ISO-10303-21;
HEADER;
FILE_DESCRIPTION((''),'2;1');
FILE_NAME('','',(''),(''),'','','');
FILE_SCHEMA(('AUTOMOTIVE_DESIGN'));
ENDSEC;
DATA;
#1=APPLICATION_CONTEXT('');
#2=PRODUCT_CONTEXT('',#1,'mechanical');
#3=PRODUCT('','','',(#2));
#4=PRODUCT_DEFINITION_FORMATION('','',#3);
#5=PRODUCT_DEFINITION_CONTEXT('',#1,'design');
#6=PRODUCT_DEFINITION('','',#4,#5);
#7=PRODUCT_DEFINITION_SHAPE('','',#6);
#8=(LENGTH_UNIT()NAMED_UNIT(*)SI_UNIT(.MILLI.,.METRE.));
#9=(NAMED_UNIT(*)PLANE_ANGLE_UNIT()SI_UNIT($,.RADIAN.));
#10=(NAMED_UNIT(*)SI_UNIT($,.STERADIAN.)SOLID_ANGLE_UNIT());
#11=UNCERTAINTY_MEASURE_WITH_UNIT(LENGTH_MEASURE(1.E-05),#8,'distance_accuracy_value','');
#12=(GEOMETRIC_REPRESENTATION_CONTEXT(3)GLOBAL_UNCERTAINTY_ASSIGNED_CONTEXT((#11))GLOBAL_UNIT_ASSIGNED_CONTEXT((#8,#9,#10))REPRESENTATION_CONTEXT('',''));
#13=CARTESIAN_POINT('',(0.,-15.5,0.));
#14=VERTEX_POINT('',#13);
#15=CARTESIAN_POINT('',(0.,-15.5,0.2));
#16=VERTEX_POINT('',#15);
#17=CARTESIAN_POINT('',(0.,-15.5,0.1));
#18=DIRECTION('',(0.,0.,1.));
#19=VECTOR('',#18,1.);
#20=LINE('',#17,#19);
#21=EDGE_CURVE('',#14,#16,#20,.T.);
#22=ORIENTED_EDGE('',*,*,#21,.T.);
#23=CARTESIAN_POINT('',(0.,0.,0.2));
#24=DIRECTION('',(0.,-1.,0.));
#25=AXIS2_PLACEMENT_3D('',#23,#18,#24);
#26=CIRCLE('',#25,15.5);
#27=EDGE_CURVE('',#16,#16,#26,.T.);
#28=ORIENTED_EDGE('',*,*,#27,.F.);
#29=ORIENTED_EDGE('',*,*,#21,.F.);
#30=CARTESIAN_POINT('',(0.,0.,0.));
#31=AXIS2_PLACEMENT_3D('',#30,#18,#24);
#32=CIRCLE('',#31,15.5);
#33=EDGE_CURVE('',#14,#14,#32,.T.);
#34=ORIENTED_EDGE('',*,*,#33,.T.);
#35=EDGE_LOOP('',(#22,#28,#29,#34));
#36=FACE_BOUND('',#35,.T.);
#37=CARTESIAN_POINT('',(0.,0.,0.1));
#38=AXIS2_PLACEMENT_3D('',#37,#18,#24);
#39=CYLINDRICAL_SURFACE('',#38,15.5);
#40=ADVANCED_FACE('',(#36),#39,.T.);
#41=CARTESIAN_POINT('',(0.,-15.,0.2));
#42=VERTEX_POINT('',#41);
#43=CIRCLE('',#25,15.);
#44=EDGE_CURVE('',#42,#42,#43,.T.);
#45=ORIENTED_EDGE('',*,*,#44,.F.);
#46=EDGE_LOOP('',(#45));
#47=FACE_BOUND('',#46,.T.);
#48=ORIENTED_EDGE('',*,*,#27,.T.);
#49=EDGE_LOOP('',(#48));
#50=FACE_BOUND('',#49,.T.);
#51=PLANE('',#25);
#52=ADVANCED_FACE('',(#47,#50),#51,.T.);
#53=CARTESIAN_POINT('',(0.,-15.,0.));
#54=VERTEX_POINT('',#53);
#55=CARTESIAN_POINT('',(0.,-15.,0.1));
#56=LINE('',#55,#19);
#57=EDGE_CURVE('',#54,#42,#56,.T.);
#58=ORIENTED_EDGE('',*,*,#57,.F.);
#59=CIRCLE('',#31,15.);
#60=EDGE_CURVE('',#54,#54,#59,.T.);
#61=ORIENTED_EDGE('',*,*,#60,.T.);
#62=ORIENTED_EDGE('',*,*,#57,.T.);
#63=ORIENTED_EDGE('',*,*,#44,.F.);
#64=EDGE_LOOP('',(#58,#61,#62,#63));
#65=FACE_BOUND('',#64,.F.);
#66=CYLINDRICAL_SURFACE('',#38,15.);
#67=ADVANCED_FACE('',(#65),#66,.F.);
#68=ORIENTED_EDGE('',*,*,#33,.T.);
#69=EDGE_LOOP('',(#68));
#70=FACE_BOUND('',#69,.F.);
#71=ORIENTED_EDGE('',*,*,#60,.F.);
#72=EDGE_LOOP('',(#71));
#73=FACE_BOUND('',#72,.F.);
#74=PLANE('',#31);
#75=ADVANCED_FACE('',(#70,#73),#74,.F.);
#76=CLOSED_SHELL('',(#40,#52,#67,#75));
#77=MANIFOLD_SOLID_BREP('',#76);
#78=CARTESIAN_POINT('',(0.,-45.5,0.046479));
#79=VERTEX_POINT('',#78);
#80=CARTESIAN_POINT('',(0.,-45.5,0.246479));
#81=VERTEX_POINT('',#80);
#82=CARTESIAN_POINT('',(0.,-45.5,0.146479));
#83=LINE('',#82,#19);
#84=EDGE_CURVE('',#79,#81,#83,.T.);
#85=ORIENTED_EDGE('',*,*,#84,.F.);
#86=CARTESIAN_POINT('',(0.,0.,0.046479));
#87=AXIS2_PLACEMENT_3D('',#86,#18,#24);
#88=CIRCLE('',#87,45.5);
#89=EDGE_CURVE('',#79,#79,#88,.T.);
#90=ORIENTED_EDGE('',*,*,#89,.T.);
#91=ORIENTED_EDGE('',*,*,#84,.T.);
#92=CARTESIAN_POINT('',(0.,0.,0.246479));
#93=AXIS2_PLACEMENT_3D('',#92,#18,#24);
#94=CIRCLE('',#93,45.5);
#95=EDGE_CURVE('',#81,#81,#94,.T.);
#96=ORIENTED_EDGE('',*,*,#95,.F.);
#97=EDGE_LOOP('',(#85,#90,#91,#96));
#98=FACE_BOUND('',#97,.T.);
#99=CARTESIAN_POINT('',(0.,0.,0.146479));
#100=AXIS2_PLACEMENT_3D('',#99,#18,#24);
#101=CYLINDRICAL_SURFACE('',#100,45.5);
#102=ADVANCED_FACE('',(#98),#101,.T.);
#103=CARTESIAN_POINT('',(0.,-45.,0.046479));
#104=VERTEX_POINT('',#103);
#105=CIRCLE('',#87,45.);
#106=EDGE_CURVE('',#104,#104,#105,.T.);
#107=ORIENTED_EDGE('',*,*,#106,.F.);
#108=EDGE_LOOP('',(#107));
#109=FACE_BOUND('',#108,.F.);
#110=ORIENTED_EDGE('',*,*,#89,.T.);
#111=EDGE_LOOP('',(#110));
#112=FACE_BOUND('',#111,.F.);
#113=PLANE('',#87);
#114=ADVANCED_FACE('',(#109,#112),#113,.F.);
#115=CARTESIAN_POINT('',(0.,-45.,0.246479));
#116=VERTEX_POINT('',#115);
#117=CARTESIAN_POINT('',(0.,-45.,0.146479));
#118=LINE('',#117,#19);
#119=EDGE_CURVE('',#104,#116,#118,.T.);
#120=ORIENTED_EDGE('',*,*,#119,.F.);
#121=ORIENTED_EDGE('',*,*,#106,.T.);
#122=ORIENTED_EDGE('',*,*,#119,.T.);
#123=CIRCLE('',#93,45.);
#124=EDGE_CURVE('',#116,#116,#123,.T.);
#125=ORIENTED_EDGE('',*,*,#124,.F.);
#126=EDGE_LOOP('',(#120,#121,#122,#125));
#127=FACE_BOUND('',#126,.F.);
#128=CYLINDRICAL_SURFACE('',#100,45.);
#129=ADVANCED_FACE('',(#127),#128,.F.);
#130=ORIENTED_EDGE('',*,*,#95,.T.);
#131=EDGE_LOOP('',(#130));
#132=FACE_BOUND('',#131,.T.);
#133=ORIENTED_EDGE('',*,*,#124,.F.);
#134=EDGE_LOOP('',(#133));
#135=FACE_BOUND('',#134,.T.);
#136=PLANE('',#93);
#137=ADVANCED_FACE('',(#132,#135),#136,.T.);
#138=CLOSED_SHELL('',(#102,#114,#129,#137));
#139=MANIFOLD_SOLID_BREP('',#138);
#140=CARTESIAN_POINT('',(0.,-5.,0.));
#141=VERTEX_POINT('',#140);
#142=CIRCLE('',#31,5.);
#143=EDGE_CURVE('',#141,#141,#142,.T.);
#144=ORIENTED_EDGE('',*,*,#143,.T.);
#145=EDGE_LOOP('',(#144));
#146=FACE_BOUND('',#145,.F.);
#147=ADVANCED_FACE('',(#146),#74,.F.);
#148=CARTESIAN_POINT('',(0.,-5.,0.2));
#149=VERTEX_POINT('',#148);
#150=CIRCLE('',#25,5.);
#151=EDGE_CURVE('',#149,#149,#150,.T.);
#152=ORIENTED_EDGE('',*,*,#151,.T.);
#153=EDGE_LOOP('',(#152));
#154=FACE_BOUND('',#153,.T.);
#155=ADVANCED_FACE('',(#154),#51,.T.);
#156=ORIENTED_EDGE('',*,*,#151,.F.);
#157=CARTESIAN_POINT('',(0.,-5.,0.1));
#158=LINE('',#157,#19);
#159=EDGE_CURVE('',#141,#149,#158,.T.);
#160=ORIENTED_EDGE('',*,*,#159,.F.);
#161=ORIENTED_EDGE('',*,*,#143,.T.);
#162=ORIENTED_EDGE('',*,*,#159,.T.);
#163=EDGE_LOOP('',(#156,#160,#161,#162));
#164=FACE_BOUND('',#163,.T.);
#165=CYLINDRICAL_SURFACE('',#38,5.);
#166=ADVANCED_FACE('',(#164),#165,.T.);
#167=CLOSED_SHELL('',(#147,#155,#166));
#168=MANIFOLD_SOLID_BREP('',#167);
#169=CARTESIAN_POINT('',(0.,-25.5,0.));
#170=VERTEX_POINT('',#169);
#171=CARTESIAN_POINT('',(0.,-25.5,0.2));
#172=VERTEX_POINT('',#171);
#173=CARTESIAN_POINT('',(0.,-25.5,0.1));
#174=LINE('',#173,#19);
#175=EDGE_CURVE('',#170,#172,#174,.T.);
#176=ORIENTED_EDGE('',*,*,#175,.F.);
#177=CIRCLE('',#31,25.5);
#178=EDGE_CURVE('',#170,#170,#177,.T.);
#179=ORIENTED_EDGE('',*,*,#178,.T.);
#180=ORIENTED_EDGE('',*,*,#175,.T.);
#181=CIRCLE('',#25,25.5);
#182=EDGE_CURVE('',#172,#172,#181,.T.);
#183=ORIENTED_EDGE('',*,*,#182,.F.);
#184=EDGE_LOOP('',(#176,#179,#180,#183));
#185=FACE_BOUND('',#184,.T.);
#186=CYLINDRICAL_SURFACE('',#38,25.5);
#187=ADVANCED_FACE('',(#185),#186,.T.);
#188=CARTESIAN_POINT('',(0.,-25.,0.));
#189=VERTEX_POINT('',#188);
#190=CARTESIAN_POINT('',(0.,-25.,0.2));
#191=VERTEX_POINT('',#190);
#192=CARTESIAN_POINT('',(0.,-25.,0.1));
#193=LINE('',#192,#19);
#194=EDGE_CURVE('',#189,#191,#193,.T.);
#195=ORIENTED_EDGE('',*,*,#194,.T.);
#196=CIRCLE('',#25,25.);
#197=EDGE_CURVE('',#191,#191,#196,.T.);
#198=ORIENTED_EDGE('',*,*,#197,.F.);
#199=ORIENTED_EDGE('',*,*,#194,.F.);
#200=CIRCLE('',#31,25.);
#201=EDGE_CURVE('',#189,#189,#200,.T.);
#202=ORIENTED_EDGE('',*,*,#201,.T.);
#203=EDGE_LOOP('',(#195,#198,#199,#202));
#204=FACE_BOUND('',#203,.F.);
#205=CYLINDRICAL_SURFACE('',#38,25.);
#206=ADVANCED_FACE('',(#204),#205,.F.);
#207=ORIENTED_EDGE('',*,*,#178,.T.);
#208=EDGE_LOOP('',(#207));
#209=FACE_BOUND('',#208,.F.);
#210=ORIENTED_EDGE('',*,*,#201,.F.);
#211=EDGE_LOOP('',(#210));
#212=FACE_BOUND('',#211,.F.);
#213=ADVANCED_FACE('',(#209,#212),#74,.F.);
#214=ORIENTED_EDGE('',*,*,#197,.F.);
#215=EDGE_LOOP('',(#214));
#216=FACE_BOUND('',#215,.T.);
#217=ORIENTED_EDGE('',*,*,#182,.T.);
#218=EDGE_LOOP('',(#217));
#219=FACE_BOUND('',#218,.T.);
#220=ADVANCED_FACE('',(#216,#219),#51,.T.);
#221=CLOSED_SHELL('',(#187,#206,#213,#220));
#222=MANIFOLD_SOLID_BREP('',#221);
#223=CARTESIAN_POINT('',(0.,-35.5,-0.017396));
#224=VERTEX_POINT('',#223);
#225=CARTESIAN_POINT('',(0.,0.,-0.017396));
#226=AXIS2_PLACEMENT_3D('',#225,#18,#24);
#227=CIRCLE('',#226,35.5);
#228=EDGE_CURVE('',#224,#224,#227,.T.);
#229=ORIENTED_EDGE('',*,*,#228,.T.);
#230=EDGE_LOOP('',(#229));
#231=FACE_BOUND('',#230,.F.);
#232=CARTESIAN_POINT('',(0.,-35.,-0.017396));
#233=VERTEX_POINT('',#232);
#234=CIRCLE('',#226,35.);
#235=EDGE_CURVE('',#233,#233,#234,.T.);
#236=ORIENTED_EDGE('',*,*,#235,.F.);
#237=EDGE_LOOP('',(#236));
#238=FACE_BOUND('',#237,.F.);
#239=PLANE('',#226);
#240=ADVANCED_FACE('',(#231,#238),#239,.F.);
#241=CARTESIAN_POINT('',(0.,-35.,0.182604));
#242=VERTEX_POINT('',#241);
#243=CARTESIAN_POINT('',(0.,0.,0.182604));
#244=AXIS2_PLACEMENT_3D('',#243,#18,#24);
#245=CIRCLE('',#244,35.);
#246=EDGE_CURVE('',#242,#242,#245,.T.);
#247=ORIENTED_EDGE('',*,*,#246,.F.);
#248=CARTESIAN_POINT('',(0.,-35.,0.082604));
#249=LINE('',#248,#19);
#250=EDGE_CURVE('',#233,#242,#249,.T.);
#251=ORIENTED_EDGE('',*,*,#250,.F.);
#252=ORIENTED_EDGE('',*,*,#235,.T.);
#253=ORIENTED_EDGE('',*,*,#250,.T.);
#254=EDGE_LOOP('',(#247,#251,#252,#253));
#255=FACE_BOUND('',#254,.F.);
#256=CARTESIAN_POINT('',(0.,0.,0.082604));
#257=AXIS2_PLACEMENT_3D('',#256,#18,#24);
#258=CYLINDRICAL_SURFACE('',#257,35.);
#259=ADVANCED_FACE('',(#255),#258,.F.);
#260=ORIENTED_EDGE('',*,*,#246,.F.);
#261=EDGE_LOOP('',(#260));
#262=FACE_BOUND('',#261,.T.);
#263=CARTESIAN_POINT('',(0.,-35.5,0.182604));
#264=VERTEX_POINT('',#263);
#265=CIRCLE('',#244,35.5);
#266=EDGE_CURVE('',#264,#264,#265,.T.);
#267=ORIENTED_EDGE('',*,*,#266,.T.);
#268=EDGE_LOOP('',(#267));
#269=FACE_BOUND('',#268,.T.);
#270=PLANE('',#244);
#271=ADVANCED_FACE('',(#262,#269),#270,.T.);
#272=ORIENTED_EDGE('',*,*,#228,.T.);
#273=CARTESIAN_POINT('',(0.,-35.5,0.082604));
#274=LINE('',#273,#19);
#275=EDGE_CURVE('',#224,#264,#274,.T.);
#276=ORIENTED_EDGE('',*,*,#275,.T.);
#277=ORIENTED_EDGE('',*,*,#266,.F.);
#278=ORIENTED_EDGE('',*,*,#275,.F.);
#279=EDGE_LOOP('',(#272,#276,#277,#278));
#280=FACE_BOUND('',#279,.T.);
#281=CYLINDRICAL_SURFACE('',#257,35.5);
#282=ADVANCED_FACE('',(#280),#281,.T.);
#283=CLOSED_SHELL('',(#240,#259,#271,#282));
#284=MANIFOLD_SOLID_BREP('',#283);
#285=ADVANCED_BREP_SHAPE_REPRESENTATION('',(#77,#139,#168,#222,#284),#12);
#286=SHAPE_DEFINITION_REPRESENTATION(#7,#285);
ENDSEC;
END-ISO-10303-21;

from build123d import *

# Parameters (mm, degrees)
F0_W   = 5
F0_H   = 0.2
F0_W_2 = 0.5


with BuildPart() as f1:
    # F0 (on Right) → F1 (revolve)
    with BuildSketch(Plane.YZ):
        with Locations((-2.5, 0.1)):
            Rectangle(F0_W, F0_H)
        with Locations((-15.25, 0.1)):
            Rectangle(F0_W_2, F0_H)
        with Locations((-25.25, 0.1)):
            Rectangle(F0_W_2, F0_H)
        with Locations((-35.25, 0.082604)):
            Rectangle(F0_W_2, F0_H)
        with Locations((-45.25, 0.146479)):
            Rectangle(F0_W_2, F0_H)
    revolve(axis=Axis((0, 0, 0.1), (0, 0, 1)))


solid = f1.part
